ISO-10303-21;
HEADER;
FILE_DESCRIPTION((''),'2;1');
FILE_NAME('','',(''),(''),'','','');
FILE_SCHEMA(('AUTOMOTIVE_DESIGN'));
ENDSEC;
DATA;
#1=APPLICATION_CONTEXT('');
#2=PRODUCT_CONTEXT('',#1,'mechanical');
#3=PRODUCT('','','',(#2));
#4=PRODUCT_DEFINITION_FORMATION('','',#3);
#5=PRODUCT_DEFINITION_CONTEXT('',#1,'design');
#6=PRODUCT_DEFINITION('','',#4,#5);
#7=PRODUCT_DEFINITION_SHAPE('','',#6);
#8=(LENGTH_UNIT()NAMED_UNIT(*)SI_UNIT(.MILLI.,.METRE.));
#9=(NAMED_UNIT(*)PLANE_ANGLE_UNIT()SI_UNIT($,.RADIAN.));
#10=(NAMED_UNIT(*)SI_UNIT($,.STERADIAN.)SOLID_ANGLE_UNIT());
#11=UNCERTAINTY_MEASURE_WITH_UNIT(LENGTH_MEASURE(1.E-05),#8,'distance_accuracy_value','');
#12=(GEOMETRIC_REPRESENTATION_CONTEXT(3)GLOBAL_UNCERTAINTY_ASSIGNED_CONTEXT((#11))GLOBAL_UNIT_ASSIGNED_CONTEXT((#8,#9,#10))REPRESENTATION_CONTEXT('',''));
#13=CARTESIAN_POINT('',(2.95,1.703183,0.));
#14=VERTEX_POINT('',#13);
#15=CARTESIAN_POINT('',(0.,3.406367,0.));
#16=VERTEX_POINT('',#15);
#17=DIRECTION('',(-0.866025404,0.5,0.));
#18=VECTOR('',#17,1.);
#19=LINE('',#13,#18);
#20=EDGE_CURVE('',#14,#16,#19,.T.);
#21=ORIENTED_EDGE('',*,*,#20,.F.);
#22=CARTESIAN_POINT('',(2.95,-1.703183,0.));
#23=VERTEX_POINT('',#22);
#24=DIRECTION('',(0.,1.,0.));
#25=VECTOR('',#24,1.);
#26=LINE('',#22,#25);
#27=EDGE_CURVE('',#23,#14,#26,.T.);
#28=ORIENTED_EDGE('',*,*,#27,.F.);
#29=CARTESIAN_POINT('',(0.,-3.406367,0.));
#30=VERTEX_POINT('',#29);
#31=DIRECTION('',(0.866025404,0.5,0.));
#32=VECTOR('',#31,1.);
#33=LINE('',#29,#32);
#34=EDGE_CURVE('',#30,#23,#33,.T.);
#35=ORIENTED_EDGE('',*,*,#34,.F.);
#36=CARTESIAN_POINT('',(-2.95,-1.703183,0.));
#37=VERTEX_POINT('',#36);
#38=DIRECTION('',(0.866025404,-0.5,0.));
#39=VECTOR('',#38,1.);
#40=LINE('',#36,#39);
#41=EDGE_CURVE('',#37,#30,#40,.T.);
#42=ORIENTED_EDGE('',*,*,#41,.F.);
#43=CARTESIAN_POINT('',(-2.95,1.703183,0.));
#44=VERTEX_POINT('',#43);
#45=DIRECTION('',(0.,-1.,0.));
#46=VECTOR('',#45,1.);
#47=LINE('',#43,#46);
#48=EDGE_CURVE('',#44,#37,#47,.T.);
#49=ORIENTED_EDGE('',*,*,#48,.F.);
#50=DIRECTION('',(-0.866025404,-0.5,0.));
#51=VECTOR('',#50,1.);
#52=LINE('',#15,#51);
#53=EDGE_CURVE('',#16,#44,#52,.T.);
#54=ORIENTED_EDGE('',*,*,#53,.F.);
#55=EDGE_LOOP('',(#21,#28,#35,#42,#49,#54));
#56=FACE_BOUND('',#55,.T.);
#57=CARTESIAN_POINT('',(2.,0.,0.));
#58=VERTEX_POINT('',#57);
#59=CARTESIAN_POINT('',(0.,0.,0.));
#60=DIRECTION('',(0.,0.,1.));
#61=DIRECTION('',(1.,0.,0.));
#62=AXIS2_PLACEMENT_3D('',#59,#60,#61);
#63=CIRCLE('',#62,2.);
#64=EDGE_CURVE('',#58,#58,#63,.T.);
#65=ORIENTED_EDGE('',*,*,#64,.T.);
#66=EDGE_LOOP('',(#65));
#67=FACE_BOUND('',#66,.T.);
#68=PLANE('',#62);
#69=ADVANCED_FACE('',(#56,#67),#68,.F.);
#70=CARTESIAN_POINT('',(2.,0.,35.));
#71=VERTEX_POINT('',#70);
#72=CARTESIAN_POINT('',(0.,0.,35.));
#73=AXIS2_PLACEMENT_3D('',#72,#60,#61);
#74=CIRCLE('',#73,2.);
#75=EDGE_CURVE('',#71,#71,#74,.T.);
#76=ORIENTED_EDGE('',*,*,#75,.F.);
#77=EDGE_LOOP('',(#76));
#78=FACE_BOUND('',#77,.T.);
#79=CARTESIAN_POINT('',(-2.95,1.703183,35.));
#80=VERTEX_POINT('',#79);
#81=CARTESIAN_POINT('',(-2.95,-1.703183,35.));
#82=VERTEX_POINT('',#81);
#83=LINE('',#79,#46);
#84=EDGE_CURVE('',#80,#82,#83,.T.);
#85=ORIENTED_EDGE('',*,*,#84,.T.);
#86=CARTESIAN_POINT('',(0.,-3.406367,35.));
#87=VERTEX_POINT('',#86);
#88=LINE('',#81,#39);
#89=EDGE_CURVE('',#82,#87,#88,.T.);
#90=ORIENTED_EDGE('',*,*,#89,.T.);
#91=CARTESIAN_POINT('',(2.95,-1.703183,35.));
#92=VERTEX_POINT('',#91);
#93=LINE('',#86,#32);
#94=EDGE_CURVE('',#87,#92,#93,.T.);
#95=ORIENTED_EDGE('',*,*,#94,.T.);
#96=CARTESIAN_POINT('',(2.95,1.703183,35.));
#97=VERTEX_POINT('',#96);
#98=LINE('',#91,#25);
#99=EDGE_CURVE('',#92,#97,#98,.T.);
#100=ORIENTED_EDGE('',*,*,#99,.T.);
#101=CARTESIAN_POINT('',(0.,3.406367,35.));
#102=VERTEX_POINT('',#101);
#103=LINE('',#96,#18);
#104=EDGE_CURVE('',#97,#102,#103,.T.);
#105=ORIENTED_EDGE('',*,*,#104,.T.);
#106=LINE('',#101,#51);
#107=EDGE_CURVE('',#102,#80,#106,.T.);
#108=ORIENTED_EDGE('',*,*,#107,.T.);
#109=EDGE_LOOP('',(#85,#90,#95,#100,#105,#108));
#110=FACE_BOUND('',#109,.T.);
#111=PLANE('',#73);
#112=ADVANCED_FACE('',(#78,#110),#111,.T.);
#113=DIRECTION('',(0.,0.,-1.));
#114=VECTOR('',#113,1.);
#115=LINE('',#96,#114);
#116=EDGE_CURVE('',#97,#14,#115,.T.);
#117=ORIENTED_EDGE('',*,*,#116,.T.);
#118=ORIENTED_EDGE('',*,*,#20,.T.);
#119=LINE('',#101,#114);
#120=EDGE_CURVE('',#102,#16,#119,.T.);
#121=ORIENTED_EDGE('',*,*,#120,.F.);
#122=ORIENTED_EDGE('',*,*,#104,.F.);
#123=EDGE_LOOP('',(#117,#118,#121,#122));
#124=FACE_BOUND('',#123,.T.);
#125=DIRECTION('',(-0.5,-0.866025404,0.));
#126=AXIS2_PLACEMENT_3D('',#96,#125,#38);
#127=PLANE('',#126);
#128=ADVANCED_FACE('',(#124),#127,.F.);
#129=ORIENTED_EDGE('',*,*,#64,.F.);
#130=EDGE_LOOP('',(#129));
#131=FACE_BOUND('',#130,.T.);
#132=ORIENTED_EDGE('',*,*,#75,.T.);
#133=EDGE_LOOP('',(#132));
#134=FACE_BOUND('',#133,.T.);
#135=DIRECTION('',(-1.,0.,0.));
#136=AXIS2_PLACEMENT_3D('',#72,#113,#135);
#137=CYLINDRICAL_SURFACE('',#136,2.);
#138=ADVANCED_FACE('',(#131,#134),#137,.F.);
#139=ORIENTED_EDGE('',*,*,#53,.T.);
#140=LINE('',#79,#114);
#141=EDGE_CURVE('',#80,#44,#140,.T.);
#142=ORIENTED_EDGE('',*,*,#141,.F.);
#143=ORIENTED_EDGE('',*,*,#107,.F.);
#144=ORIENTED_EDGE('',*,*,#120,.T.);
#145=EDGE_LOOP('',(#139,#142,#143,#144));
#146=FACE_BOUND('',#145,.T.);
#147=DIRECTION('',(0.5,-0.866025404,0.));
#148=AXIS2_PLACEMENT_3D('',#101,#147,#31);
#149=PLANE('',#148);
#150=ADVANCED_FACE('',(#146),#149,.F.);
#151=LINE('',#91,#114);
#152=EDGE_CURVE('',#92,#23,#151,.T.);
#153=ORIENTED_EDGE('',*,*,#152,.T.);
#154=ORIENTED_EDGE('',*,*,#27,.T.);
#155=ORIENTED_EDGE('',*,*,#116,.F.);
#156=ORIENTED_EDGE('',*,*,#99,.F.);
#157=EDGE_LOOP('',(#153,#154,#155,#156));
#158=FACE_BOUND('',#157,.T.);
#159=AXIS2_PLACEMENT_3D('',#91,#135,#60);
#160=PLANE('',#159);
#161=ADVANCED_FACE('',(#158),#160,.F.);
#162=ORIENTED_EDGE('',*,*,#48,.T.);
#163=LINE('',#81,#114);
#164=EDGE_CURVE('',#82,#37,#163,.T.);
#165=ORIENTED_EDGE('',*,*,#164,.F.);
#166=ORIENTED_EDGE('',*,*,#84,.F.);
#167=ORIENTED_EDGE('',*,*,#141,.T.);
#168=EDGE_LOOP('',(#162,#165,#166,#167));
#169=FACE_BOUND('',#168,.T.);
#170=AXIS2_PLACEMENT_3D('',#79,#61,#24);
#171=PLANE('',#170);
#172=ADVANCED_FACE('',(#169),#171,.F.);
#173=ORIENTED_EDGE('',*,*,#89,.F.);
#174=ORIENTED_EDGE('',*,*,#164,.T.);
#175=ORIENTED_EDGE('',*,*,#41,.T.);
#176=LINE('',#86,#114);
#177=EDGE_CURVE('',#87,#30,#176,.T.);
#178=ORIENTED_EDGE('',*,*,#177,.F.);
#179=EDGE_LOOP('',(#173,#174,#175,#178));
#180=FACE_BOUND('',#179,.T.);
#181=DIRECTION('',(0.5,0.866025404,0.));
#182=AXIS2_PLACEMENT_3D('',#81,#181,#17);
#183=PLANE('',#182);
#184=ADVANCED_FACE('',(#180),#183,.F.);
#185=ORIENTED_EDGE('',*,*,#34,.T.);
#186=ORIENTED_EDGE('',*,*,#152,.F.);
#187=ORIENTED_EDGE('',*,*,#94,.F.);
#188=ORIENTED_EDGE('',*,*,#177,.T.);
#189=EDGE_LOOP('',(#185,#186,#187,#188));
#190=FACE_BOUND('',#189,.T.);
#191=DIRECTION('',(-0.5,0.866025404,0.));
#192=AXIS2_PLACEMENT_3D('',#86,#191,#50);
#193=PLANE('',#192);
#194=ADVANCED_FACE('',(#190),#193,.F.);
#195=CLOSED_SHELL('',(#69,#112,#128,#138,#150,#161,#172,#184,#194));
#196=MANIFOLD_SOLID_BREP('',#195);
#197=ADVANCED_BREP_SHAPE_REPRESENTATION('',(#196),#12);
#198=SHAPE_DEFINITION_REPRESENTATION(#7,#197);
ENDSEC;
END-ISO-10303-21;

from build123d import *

# Parameters (mm, degrees)
SKETCH_1_R      = 2
EXTRUDE_1_DEPTH = 35


with BuildPart() as part:
    # 草图1 → 凸台-拉伸1 (new body)
    with BuildSketch(Plane.XY):
        Polygon((2.95, -1.703183294), (2.95, 1.703183294), (0, 3.406366588), (-2.95, 1.703183294), (-2.95, -1.703183294), (0, -3.406366588), align=None)
        Circle(SKETCH_1_R, mode=Mode.SUBTRACT)
    extrude(amount=EXTRUDE_1_DEPTH)


solid = part.part
